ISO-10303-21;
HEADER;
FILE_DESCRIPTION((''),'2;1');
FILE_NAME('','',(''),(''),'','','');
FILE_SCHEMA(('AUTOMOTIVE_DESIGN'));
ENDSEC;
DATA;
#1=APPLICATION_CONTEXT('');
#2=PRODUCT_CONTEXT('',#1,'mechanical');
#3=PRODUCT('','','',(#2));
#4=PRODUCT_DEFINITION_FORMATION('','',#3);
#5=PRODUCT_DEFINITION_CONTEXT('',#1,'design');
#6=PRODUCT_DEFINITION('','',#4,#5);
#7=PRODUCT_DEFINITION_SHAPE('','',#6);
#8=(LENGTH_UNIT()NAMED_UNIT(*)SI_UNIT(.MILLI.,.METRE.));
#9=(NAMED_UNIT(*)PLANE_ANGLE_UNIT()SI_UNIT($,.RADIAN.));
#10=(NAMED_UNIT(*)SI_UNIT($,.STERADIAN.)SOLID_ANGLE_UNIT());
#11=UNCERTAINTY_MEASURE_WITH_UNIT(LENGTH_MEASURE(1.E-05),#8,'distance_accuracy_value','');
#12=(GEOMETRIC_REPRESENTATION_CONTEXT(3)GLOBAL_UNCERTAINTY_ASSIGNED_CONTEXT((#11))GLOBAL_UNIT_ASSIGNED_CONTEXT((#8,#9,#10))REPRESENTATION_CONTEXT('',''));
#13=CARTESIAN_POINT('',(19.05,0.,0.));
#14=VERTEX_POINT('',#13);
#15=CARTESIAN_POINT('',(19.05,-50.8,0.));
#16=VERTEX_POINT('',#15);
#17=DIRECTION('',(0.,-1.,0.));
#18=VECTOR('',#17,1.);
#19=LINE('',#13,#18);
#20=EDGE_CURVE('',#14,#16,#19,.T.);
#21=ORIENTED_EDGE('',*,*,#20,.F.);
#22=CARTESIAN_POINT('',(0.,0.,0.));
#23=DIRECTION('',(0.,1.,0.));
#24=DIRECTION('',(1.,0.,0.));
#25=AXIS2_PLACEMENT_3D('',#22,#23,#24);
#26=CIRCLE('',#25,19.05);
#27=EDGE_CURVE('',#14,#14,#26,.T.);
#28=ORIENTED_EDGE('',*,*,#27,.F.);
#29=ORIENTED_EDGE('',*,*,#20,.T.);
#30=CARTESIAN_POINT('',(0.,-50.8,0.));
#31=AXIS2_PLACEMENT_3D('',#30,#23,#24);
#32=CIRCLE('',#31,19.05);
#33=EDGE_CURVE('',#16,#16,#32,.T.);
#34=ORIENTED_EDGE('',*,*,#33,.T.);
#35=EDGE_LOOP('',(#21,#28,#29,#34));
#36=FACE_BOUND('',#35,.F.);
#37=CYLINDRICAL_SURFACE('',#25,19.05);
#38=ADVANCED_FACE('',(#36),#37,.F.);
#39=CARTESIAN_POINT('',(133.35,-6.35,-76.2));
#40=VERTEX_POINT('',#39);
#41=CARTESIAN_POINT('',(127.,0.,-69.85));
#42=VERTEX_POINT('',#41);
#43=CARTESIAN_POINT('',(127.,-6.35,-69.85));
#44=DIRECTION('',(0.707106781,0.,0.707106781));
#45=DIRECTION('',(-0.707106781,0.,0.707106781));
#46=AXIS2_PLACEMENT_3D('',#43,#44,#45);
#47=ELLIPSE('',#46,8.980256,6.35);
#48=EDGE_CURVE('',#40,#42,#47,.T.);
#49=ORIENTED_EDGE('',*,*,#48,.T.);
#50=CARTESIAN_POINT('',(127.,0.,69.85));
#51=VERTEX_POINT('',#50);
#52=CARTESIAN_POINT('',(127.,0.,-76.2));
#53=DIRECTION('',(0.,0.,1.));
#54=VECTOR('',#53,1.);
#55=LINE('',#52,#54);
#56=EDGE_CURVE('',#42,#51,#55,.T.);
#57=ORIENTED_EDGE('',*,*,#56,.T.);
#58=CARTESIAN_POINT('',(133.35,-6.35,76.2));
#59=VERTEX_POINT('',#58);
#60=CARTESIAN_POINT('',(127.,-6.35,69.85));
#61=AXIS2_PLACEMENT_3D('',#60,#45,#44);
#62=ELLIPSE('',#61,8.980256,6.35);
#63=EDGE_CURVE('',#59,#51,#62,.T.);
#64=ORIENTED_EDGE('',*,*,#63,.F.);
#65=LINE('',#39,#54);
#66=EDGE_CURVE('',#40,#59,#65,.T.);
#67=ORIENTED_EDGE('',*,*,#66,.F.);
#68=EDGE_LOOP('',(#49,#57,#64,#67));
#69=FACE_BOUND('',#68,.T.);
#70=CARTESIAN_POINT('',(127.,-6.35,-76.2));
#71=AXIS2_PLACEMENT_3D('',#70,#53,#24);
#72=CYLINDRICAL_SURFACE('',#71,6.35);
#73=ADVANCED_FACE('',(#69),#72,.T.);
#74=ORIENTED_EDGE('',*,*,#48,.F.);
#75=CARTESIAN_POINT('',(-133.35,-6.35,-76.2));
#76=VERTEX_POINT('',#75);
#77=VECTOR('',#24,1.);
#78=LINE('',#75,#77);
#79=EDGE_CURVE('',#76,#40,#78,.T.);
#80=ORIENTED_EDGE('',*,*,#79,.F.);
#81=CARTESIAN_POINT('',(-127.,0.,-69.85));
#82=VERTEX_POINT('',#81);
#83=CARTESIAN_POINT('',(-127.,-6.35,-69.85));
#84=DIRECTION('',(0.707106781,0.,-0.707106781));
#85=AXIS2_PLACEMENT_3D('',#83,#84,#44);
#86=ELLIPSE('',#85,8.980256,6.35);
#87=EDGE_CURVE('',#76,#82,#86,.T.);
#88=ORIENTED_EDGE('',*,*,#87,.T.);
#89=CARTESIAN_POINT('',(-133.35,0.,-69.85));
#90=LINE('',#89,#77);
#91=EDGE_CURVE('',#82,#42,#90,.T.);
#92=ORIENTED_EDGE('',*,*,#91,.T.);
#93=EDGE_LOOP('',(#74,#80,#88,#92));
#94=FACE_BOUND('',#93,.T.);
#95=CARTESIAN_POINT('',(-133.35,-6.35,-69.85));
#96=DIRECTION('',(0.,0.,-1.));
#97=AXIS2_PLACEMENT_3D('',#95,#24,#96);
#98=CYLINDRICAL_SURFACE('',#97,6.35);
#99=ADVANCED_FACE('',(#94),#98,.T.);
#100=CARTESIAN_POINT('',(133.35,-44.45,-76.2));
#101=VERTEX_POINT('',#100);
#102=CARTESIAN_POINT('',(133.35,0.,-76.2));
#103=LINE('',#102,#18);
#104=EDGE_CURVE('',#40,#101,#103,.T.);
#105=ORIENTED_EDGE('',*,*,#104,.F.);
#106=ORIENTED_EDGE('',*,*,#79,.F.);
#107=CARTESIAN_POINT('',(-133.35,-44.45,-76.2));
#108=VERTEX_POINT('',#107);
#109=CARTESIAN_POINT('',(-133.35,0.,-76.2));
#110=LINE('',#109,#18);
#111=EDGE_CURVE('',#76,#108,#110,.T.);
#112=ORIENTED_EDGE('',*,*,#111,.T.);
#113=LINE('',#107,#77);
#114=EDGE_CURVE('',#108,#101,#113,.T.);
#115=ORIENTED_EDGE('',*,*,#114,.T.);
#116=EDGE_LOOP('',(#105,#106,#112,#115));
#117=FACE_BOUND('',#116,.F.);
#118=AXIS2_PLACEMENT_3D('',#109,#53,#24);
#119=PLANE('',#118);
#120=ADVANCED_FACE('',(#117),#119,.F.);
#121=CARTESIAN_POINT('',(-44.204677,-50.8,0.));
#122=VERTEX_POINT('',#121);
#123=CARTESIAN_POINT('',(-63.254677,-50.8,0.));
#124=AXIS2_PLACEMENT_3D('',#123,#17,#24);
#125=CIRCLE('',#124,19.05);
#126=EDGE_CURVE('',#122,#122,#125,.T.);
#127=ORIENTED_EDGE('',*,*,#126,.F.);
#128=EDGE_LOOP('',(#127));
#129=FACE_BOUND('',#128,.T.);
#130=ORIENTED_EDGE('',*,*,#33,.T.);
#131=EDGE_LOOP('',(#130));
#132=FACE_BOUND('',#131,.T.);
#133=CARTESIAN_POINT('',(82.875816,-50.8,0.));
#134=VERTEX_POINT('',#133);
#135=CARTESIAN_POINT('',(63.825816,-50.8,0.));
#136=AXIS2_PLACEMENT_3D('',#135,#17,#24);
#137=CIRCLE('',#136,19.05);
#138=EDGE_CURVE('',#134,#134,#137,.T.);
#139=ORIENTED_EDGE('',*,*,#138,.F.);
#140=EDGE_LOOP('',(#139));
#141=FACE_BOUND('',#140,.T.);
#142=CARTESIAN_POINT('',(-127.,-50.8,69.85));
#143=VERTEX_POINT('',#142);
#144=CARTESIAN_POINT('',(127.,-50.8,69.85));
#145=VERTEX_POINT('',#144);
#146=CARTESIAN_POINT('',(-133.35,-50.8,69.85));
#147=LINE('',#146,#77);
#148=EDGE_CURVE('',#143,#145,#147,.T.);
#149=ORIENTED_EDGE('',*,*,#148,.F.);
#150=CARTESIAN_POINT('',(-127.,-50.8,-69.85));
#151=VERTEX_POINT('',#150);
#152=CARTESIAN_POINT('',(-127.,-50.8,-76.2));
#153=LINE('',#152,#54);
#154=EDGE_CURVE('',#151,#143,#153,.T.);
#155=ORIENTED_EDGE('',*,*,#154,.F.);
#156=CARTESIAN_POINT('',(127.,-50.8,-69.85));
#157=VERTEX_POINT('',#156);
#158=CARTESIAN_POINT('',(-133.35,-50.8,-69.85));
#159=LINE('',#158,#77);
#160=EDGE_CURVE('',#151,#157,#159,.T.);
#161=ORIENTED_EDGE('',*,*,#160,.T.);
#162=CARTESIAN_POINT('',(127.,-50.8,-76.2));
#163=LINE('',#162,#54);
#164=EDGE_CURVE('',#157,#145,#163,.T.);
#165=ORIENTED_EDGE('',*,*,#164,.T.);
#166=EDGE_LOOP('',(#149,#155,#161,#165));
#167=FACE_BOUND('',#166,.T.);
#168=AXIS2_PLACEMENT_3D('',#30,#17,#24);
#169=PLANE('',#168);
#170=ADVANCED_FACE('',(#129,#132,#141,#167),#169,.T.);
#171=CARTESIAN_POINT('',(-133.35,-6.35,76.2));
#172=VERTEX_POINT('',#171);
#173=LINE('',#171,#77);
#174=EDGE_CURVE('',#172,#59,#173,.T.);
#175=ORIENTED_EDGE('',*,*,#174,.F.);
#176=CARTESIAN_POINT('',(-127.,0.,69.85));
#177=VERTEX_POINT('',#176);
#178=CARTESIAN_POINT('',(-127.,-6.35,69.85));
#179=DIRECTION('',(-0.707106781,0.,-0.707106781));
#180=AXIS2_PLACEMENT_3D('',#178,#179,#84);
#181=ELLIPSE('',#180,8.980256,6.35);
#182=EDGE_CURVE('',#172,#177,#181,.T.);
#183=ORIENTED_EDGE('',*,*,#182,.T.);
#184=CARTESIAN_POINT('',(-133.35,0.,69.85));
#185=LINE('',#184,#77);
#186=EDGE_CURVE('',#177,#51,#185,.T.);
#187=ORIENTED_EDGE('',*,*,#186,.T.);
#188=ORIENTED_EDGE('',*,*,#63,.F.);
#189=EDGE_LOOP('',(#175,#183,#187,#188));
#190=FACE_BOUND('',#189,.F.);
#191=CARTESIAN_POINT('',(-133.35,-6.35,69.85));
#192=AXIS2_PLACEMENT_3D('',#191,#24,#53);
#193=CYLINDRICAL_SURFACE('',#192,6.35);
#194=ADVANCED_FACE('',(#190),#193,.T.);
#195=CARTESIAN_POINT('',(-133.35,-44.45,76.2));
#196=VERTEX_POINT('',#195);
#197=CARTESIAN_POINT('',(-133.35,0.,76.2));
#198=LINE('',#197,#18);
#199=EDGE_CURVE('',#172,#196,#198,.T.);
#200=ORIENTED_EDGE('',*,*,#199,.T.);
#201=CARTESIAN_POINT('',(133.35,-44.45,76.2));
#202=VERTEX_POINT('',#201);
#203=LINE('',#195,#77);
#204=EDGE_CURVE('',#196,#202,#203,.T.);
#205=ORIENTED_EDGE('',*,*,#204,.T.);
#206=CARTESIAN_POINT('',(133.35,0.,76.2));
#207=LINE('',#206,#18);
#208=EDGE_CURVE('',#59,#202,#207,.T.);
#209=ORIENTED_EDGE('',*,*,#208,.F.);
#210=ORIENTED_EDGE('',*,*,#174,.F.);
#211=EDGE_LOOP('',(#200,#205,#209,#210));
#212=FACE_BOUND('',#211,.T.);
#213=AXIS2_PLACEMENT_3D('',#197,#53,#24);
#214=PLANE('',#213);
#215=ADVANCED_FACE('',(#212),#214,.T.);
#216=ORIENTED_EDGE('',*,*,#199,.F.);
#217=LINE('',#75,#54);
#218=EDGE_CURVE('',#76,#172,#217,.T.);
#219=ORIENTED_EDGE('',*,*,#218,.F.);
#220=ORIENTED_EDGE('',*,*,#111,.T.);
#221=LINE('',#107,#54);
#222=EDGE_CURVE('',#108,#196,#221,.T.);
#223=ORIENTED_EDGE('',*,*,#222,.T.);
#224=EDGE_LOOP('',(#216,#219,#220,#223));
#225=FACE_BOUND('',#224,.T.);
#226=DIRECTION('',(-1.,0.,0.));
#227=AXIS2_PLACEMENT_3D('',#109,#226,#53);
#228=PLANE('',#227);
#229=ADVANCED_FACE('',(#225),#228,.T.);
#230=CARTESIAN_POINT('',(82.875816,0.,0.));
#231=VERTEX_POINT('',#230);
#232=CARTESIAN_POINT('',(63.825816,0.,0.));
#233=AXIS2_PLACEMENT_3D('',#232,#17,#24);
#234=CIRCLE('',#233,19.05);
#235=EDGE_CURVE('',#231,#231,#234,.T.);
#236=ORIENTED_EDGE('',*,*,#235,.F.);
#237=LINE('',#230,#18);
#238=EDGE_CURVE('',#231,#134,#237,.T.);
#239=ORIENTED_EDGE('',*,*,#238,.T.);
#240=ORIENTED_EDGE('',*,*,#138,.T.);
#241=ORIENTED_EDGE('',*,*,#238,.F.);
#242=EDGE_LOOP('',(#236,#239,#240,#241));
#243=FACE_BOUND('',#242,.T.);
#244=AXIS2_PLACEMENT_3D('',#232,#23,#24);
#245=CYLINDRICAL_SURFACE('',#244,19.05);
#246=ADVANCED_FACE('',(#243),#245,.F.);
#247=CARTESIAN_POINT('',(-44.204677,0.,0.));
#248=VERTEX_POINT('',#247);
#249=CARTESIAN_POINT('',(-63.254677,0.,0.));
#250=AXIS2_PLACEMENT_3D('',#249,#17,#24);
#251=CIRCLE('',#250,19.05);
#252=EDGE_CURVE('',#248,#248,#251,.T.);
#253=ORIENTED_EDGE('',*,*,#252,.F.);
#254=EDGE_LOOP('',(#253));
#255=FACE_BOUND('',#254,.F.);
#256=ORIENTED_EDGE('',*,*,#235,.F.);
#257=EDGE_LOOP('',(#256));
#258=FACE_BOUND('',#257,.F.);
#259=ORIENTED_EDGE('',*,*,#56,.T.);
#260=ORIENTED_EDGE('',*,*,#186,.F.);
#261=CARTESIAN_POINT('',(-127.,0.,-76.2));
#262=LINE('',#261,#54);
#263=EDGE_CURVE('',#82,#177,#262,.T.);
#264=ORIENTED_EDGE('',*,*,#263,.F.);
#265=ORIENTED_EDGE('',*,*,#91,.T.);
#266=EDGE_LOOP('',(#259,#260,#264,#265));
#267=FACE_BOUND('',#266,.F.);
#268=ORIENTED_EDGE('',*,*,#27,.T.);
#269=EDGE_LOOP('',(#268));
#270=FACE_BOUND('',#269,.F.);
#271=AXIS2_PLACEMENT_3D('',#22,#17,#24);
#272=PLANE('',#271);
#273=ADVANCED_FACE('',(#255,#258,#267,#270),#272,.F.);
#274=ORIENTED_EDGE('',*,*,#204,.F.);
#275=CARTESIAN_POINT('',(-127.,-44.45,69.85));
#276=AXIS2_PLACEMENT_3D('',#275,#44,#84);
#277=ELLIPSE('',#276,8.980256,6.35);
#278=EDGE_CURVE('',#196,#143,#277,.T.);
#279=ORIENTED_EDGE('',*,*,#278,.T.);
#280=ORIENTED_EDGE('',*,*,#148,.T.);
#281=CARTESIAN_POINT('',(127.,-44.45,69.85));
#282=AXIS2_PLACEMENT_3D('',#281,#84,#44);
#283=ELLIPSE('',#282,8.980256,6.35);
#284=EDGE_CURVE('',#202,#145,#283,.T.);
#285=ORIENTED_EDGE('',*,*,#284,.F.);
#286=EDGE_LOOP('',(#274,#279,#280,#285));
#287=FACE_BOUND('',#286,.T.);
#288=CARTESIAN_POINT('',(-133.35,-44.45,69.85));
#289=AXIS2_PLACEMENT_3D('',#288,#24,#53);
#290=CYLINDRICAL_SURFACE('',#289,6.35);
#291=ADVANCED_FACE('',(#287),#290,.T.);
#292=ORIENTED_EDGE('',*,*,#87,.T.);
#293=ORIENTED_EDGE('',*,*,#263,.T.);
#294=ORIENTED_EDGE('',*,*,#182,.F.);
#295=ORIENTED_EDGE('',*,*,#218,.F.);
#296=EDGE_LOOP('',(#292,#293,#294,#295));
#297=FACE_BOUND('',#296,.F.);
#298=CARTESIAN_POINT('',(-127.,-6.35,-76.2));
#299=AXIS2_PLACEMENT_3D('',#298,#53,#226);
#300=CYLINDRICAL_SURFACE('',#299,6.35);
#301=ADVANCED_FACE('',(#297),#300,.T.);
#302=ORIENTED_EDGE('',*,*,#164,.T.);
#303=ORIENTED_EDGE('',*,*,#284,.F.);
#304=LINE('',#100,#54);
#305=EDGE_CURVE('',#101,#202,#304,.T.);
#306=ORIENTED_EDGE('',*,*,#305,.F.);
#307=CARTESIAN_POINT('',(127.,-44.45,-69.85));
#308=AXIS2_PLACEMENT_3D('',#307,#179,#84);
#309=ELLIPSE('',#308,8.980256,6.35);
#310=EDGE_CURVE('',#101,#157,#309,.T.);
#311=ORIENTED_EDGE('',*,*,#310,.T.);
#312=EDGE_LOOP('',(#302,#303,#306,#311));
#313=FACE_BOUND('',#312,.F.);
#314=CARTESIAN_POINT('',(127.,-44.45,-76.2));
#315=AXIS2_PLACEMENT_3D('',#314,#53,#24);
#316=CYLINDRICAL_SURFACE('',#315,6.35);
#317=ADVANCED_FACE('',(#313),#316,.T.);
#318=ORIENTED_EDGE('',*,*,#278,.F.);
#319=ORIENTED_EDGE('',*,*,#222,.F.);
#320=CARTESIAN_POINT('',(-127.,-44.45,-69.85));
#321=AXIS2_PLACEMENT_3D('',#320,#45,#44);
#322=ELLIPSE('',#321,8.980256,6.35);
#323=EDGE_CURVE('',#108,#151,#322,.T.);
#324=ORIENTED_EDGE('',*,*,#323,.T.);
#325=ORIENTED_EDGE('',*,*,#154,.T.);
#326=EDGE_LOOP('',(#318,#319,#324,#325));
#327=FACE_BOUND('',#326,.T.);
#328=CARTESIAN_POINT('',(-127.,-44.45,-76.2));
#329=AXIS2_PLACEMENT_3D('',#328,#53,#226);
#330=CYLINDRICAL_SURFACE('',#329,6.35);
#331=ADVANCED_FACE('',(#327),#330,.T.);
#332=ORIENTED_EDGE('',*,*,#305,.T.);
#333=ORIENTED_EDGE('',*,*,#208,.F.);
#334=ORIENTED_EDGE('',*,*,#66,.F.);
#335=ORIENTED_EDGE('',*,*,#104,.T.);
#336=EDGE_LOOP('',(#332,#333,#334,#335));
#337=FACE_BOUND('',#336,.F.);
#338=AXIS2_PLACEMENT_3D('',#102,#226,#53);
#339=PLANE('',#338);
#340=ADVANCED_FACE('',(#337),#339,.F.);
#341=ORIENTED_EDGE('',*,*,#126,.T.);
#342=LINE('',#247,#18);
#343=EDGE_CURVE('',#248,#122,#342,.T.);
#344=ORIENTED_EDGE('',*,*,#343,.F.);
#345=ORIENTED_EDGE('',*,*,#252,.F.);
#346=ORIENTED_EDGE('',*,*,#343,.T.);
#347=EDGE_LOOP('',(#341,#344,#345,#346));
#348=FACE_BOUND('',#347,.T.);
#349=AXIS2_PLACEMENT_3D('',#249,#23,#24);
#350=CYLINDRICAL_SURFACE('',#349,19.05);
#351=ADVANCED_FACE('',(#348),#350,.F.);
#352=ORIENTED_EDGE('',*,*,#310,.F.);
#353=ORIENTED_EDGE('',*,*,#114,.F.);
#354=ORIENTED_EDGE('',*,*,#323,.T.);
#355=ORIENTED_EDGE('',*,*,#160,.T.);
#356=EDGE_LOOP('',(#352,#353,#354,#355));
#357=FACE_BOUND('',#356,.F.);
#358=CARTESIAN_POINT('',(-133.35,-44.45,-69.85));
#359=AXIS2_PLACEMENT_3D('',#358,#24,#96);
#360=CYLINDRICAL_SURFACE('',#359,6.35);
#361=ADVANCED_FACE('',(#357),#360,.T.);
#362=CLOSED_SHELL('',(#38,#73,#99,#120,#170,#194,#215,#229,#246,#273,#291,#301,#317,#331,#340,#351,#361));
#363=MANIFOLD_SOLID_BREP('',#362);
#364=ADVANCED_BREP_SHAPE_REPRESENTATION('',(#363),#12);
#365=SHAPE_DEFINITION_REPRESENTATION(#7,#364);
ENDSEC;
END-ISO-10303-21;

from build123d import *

# Parameters (mm, degrees)
F0_W     = 266.7
F0_H     = 152.4
F0_R     = 19.05
F1_DEPTH = 50.8
F2_R     = 6.35


with BuildPart() as f1:
    # F0 (on Front) → F1 (new body)
    with BuildSketch(Plane.XZ):
        Rectangle(F0_W, F0_H)
        with Locations((-63.2546767592, 0)):
            Circle(F0_R, mode=Mode.SUBTRACT)
        with BuildLine():
            ThreePointArc((-19.05, 0), (0, 19.05), (19.05, 0))
            ThreePointArc((19.05, 0), (0, -19.05), (-19.05, 0))
        make_face(mode=Mode.SUBTRACT)
        with Locations((63.8258159161, 0)):
            Circle(F0_R, mode=Mode.SUBTRACT)
    extrude(amount=F1_DEPTH)

    # F2
    f2_edges = [f1.edges().sort_by_distance(p)[0] for p in [
        (0, -50.8, -76.2),
        (133.35, -50.8, 0),
        (0, -50.8, 76.2),
        (-133.35, -50.8, 0),
        (0, 0, 76.2),
        (133.35, 0, 0),
        (0, 0, -76.2),
        (-133.35, 0, 0),
    ]]
    fillet(f2_edges, radius=F2_R)


solid = f1.part
